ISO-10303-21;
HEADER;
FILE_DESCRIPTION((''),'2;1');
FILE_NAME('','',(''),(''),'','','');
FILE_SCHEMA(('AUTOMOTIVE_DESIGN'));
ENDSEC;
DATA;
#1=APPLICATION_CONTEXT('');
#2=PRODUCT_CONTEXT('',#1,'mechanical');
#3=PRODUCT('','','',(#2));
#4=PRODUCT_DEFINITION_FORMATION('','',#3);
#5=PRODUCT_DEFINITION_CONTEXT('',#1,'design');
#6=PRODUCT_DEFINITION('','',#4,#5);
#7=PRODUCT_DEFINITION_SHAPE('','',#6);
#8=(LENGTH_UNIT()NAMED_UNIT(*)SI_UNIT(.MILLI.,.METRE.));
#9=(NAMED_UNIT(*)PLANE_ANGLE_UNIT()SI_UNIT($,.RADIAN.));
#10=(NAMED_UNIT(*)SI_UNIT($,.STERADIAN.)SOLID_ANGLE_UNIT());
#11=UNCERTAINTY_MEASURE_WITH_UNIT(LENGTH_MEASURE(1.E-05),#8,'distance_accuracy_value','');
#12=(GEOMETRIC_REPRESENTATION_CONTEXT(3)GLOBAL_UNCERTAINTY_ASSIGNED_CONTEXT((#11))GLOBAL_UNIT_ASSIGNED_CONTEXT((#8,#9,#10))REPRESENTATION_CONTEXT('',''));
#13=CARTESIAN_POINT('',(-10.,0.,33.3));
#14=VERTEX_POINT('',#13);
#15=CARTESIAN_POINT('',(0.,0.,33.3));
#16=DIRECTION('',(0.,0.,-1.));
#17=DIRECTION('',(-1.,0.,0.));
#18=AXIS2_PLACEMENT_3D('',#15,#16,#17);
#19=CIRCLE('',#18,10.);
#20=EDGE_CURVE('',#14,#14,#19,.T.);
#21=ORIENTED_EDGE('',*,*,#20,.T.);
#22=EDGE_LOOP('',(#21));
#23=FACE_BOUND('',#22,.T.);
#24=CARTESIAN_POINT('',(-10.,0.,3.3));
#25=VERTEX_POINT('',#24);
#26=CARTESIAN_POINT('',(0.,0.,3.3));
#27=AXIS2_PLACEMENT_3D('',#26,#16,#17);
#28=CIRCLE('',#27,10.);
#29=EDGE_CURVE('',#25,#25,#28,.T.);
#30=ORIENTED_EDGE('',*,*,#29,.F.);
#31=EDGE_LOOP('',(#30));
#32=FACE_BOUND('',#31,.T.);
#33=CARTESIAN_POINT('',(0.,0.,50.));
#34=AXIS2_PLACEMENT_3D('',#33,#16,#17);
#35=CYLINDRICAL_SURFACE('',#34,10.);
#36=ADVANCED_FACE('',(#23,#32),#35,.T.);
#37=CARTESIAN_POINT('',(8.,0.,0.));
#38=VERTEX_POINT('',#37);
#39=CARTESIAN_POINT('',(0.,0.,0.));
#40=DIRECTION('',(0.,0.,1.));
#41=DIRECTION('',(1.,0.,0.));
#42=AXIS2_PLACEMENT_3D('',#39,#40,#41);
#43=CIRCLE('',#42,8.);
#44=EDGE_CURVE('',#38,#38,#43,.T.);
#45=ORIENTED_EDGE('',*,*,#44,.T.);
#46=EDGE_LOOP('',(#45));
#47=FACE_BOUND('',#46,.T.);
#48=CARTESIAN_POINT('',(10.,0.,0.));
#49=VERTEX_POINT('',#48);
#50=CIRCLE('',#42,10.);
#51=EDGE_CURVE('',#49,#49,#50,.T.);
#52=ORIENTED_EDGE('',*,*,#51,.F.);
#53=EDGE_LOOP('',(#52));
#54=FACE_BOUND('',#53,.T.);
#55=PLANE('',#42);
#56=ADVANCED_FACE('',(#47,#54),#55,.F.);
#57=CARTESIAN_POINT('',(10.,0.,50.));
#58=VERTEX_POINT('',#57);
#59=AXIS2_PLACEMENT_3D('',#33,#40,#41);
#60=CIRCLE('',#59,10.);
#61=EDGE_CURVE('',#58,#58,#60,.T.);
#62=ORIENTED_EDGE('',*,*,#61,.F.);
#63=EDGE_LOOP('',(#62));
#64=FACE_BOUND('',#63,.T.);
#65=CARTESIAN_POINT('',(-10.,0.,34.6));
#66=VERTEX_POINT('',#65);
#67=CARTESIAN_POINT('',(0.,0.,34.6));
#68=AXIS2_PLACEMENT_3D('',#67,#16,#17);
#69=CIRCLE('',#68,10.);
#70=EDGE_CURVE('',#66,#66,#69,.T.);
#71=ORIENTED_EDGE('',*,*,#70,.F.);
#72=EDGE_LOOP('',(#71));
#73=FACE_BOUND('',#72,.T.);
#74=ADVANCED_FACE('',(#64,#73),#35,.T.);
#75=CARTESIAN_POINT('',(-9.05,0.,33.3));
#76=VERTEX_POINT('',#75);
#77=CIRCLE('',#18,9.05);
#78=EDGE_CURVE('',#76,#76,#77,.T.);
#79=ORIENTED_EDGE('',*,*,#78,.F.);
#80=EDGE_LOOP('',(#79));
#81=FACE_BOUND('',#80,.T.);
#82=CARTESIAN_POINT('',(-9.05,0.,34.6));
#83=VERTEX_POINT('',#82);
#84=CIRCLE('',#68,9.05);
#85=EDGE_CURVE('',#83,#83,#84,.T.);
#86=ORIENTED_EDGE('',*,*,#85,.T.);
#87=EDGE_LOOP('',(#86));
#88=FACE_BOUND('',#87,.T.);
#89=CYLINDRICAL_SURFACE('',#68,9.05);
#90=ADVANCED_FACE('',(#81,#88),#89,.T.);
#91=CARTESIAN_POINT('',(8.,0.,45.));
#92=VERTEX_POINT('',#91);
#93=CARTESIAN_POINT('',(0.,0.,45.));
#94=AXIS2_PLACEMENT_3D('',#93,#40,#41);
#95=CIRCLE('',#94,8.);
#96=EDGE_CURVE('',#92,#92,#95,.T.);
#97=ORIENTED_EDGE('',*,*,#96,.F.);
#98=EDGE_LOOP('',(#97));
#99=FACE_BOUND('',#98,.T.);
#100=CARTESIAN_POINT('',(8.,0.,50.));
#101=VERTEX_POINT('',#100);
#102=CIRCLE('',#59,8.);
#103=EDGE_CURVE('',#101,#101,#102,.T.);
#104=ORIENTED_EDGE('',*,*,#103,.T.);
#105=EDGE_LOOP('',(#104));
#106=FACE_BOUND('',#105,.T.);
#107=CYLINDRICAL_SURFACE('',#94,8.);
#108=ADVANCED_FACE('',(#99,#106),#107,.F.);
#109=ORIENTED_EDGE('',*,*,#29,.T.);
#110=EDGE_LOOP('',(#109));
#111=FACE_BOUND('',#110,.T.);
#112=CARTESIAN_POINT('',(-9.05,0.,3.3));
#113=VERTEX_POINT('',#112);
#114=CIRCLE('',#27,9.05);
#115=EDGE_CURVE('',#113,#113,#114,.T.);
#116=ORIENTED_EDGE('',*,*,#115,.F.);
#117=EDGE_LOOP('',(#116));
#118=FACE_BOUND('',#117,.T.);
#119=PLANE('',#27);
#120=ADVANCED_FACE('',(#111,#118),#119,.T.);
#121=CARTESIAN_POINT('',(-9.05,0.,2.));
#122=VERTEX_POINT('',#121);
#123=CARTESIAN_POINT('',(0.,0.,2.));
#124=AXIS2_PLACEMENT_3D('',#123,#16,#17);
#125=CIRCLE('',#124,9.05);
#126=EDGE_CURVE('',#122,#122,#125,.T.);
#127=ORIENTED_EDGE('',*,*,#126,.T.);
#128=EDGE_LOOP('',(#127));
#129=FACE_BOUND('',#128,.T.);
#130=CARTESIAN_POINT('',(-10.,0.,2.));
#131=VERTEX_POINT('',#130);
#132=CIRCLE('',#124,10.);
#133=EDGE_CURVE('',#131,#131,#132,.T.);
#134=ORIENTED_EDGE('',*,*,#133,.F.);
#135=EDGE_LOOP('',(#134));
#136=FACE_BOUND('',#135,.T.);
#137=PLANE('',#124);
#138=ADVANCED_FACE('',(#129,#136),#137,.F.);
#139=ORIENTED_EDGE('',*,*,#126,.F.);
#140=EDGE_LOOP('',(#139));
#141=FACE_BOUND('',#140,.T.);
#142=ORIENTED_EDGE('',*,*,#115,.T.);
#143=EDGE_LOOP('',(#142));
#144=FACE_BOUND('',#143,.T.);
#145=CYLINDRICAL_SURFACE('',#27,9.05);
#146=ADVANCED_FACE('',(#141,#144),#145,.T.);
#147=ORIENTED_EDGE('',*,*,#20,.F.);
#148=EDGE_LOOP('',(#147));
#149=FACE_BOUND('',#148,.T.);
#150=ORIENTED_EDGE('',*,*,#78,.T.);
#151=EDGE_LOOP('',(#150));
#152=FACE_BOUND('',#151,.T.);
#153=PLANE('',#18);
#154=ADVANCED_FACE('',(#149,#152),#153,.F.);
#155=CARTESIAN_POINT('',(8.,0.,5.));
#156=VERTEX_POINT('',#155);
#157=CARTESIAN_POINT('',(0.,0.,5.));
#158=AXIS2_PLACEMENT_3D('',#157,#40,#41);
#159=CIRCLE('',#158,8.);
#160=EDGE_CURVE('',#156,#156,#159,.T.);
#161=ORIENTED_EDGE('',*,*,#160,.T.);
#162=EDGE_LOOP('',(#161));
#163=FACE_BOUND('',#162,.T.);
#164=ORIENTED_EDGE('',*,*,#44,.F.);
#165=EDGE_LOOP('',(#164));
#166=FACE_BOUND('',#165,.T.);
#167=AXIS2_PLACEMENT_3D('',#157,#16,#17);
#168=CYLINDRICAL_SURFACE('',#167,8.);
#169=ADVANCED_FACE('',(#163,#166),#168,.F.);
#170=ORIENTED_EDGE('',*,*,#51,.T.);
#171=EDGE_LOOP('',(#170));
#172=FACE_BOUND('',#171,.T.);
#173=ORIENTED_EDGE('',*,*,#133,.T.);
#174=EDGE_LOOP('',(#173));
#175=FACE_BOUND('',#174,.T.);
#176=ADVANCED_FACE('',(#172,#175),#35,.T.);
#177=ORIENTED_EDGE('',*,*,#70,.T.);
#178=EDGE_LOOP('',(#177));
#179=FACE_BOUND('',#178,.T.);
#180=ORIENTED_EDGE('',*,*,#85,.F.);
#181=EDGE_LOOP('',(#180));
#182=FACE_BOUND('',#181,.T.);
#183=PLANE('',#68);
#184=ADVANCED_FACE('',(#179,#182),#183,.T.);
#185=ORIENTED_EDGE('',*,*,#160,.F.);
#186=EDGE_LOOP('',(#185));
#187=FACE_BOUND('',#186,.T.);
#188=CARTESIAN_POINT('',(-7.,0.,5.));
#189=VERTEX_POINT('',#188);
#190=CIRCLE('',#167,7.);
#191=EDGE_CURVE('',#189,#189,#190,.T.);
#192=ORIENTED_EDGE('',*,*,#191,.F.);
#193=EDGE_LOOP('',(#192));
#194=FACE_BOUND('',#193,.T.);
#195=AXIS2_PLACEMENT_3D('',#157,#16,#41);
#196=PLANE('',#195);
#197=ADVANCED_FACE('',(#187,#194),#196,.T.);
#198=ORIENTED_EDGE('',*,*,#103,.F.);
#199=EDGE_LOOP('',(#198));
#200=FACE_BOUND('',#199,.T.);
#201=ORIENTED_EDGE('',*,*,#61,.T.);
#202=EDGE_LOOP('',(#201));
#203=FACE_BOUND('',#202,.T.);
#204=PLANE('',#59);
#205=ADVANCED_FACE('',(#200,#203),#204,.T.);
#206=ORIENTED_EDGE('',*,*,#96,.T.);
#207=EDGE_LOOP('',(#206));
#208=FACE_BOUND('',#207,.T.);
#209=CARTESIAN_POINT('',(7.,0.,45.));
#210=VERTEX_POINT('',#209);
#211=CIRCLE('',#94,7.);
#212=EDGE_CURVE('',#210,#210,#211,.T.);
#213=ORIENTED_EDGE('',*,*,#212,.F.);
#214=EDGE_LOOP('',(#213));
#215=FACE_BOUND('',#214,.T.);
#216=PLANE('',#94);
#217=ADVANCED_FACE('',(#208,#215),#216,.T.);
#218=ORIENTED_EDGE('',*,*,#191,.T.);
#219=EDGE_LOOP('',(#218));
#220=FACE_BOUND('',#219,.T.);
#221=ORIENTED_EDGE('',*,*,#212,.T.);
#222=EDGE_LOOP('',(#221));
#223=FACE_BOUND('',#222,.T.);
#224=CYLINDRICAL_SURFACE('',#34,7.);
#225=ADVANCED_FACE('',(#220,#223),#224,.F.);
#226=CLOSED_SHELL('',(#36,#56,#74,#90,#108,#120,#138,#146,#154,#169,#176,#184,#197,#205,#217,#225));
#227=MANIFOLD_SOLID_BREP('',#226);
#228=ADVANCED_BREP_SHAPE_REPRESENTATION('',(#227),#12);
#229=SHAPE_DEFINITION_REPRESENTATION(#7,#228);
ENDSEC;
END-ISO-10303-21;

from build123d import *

# Parameters (mm, degrees)
SKETCH1_R          = 10
SKETCH1_R_2        = 7
MAIN_DEPTH         = 50
SKETCH2_R          = 8
BEARING_CUT_DEPTH  = 5
SKETCH5_R          = 10
SKETCH5_R_2        = 9.05
CUT_EXTRUDE2_DEPTH = 1.3
SKETCH6_R          = 10
SKETCH6_R_2        = 9.05
CUT_EXTRUDE3_DEPTH = 1.3


with BuildPart() as part:
    # Sketch1 → Main (new body)
    with BuildSketch(Plane.XY):
        Circle(SKETCH1_R)
        Circle(SKETCH1_R_2, mode=Mode.SUBTRACT)
    extrude(amount=MAIN_DEPTH)

    # Sketch2 → Bearing Cut (cut)
    with BuildSketch(Plane.XY.offset(50)):
        Circle(SKETCH2_R)
    bearing_cut = extrude(amount=-BEARING_CUT_DEPTH, mode=Mode.SUBTRACT)

    # Mirror1: Bearing Cut across plane
    add(bearing_cut.mirror(Plane.XY.offset(25)), mode=Mode.SUBTRACT)

    # Sketch5 → Cut-Extrude2 (cut)
    with BuildSketch(Plane(origin=(0, 0, 2), x_dir=(-1, 0, 0), z_dir=(0, 0, -1))):
        Circle(SKETCH5_R)
        Circle(SKETCH5_R_2, mode=Mode.SUBTRACT)
    extrude(amount=-CUT_EXTRUDE2_DEPTH, mode=Mode.SUBTRACT)

    # Sketch6 → Cut-Extrude3 (cut)
    with BuildSketch(Plane(origin=(0, 0, 33.3), x_dir=(-1, 0, 0), z_dir=(0, 0, -1))):
        Circle(SKETCH6_R)
        Circle(SKETCH6_R_2, mode=Mode.SUBTRACT)
    extrude(amount=-CUT_EXTRUDE3_DEPTH, mode=Mode.SUBTRACT)


solid = part.part
